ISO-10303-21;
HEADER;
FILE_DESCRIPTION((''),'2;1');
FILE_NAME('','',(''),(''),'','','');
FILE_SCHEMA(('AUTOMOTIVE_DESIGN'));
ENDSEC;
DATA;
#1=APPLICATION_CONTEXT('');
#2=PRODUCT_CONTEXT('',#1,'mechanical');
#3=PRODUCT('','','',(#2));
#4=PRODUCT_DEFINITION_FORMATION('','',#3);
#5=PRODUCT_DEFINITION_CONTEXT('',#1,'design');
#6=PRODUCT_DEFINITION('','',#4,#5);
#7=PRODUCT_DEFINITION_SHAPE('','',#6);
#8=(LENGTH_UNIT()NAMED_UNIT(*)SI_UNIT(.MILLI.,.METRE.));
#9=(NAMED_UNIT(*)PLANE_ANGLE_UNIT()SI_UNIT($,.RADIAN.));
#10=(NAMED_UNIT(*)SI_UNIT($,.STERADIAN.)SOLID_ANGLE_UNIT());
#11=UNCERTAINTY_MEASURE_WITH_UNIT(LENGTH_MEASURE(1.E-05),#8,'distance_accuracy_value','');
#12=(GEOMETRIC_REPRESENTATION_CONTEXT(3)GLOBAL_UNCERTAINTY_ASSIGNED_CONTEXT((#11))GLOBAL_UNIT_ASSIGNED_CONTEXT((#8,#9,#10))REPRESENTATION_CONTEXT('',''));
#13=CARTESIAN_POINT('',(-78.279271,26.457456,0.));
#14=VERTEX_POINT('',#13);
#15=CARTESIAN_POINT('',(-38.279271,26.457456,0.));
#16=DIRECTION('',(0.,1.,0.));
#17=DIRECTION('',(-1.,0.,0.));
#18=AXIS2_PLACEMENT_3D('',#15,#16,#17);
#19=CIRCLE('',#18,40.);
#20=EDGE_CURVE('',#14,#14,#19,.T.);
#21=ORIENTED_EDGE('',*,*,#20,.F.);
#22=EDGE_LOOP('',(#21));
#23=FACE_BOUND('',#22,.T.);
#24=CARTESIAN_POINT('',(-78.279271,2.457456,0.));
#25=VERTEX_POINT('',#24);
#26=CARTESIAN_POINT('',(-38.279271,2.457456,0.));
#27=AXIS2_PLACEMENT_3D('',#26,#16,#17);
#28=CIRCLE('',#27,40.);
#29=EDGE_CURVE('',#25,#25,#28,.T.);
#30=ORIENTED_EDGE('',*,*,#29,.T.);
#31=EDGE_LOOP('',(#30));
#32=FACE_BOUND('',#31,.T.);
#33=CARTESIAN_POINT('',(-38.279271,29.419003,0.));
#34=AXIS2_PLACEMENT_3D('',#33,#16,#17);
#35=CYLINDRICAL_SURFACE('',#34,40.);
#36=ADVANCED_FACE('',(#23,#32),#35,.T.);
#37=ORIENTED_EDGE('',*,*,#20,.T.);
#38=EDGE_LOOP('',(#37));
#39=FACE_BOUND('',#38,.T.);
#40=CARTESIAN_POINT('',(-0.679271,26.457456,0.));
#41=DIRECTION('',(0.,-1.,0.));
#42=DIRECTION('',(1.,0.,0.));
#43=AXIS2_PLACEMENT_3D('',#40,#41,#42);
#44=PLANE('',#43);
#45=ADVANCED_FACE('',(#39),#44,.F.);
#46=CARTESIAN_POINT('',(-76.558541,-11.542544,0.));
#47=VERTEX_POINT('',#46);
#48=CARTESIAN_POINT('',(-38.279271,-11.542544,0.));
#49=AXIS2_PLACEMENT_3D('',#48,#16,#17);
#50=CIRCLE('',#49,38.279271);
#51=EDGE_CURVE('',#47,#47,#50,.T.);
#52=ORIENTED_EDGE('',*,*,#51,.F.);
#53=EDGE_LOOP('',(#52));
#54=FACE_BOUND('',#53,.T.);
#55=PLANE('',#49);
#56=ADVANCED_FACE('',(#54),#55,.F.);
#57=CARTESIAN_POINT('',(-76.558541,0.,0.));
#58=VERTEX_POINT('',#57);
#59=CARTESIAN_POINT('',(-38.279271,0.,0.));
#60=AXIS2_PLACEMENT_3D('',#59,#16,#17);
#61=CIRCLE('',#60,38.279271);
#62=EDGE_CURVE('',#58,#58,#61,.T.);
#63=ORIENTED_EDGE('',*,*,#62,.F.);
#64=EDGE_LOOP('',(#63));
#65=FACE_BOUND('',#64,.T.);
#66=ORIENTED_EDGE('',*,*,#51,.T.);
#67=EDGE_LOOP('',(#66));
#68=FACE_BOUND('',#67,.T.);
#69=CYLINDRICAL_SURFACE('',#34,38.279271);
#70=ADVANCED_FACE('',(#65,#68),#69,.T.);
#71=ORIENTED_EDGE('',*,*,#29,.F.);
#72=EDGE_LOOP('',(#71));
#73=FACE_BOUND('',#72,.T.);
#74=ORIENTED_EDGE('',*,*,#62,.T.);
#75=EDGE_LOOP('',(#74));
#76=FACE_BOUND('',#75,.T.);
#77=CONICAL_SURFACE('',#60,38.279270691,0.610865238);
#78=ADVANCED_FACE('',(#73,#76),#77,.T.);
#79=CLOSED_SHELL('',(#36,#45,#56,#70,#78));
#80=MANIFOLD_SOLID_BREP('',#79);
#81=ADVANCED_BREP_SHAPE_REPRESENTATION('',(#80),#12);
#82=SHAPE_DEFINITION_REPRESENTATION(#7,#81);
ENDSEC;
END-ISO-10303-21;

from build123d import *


with BuildPart() as part:
    # Sketch1 → Revolve1 (revolve)
    with BuildSketch(Plane.XY):
        Polygon((0, 0), (1.720729309, 2.457456133), (1.720729309, 26.457456133), (-0.679270691, 26.457456133), (-38.279270691, 26.457456133), (-38.279270691, -11.542543867), (0, -11.542543867), align=None)
    revolve(axis=Axis((-38.279270691, 29.419002817, 0), (0, -1, 0)))


solid = part.part
